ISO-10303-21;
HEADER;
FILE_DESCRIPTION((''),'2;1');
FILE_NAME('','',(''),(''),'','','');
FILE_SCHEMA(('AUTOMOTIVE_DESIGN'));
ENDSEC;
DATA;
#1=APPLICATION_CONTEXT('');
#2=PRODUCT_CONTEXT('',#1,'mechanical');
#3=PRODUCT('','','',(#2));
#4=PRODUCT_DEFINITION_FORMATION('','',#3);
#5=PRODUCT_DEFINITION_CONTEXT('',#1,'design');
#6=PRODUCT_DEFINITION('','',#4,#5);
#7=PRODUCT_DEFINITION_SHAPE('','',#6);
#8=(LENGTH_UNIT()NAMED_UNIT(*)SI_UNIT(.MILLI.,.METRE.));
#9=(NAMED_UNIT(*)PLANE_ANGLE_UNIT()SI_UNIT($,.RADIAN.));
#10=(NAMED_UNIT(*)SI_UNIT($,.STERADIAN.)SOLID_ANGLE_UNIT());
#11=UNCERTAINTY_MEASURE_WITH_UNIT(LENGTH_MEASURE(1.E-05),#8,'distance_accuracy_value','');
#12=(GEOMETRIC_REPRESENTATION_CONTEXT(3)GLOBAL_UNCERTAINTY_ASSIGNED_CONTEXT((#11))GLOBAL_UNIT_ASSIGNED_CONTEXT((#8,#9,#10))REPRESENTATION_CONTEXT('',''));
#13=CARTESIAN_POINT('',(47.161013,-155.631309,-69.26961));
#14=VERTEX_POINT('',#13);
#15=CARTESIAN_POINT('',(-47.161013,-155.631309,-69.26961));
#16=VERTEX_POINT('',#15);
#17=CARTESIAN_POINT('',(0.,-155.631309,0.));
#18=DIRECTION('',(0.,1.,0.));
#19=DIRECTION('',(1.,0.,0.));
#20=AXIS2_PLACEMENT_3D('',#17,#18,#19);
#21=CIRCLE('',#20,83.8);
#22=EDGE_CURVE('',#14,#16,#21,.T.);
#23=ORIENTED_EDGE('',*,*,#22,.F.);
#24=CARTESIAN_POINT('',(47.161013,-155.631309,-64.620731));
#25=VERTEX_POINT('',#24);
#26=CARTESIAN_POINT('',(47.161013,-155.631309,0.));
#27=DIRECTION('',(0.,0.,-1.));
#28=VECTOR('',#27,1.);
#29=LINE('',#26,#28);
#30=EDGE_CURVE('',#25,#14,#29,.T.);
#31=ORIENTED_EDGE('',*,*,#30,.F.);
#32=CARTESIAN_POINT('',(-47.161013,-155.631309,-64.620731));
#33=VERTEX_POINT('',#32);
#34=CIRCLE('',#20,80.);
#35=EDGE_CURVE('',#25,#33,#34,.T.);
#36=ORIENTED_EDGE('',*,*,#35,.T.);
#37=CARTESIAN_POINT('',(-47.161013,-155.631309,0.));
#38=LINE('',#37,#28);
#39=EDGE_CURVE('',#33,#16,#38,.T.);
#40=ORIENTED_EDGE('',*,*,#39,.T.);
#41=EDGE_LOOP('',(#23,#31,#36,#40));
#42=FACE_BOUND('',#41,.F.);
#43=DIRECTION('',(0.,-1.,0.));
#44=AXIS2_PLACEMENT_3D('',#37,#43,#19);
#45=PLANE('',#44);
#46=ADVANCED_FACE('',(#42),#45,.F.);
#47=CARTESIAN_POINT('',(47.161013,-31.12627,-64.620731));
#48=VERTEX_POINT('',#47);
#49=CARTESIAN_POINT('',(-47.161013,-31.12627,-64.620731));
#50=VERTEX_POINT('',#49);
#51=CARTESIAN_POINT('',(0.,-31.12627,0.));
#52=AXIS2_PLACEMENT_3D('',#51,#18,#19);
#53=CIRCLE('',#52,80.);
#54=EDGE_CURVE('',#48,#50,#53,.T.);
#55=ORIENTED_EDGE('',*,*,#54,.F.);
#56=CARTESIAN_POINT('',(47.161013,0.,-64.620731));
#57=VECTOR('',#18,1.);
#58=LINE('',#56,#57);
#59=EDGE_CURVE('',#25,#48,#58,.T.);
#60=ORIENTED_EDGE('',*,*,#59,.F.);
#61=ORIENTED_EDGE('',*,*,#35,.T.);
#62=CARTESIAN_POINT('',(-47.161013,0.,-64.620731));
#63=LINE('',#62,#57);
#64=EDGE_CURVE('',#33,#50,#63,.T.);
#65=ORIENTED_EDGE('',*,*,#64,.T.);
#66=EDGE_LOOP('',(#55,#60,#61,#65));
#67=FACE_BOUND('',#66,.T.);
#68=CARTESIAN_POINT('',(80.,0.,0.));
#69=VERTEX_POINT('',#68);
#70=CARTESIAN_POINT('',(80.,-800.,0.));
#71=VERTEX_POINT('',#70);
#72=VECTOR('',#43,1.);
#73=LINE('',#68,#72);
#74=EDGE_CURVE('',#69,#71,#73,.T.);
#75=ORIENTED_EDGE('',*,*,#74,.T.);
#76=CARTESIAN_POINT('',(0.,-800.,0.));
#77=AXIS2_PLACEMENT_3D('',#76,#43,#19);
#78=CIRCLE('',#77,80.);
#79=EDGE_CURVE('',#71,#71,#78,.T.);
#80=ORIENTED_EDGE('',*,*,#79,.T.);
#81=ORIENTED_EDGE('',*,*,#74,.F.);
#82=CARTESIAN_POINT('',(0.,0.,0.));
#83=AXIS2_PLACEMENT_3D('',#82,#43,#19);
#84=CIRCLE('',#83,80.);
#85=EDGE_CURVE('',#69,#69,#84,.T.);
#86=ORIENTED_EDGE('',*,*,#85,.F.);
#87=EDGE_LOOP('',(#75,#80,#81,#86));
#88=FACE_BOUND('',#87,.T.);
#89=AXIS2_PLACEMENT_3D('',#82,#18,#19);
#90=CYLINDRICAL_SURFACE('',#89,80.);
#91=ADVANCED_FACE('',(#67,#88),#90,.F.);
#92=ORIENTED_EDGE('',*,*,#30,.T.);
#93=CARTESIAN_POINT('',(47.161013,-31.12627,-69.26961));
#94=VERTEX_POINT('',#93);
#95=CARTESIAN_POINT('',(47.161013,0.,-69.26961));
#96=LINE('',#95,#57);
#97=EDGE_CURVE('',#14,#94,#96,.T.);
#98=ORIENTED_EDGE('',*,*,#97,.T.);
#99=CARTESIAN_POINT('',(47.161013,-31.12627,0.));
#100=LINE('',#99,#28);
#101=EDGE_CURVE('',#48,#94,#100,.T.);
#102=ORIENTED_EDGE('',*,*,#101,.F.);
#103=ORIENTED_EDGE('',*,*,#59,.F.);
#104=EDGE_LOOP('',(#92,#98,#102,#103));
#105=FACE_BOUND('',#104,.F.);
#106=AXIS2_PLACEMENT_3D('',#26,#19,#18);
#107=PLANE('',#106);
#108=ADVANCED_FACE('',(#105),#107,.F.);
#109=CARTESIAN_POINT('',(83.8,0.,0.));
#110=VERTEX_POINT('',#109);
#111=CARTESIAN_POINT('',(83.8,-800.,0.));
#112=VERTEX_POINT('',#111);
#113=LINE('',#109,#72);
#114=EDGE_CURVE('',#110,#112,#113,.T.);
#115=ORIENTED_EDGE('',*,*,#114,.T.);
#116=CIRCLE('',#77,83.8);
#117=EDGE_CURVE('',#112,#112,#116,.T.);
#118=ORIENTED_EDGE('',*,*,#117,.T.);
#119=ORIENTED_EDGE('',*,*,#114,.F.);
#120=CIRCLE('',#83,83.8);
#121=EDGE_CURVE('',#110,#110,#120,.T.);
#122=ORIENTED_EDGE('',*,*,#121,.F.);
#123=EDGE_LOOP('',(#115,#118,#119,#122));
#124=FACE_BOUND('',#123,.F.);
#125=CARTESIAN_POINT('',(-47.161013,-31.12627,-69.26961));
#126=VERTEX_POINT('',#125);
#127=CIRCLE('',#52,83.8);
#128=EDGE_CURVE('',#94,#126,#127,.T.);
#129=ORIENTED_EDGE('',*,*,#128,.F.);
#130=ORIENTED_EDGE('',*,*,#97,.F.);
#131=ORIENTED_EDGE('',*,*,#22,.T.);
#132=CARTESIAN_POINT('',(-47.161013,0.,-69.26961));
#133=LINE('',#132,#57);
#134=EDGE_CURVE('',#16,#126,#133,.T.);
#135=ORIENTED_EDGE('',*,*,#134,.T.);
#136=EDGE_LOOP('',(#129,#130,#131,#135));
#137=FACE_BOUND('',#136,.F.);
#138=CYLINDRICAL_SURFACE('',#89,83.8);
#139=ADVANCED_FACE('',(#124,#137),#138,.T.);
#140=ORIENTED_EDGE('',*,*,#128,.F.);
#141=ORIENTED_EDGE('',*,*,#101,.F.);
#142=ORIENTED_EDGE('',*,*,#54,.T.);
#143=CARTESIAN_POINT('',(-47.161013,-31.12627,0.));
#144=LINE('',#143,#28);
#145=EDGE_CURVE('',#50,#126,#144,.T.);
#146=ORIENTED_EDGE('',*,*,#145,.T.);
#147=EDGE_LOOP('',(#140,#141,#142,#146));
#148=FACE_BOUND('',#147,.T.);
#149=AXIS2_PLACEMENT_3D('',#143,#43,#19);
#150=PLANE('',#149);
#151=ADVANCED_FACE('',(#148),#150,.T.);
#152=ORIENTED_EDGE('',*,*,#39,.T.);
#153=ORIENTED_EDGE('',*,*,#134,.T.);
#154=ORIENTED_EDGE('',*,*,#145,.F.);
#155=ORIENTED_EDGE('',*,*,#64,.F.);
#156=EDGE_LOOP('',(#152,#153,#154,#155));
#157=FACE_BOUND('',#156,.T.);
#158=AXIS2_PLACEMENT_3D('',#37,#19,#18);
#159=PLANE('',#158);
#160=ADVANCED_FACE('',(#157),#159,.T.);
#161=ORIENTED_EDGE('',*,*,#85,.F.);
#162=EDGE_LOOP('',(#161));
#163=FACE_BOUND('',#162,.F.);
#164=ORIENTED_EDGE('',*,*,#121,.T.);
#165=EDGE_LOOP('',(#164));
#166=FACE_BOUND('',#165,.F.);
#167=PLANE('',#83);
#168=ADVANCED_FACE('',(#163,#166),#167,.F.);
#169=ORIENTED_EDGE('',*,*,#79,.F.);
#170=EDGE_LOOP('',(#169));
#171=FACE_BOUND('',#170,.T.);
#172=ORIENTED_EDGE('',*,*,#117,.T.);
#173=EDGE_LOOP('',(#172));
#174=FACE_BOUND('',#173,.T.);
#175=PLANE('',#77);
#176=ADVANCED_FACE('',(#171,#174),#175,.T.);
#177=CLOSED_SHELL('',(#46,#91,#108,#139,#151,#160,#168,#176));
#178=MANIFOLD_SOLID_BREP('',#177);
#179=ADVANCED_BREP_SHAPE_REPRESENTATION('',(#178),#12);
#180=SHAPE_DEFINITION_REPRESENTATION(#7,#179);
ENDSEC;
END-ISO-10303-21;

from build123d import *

# Parameters (mm, degrees)
F0_R     = 83.8
F0_R_2   = 80
F1_DEPTH = 800
F2_W     = 94.3220257759
F2_H     = 124.5050393045
F3_DEPTH = 84.8


with BuildPart() as f1:
    # F0 (on Front) → F1 (new body)
    with BuildSketch(Plane.XZ):
        Circle(F0_R)
        Circle(F0_R_2, mode=Mode.SUBTRACT)
    extrude(amount=F1_DEPTH)

    # F2 (on Top) → F3 (cut, up to face)
    with BuildSketch(Plane.XY):
        with Locations((0, -93.3787897229)):
            Rectangle(F2_W, F2_H)
    extrude(amount=-F3_DEPTH, mode=Mode.SUBTRACT)


solid = f1.part
